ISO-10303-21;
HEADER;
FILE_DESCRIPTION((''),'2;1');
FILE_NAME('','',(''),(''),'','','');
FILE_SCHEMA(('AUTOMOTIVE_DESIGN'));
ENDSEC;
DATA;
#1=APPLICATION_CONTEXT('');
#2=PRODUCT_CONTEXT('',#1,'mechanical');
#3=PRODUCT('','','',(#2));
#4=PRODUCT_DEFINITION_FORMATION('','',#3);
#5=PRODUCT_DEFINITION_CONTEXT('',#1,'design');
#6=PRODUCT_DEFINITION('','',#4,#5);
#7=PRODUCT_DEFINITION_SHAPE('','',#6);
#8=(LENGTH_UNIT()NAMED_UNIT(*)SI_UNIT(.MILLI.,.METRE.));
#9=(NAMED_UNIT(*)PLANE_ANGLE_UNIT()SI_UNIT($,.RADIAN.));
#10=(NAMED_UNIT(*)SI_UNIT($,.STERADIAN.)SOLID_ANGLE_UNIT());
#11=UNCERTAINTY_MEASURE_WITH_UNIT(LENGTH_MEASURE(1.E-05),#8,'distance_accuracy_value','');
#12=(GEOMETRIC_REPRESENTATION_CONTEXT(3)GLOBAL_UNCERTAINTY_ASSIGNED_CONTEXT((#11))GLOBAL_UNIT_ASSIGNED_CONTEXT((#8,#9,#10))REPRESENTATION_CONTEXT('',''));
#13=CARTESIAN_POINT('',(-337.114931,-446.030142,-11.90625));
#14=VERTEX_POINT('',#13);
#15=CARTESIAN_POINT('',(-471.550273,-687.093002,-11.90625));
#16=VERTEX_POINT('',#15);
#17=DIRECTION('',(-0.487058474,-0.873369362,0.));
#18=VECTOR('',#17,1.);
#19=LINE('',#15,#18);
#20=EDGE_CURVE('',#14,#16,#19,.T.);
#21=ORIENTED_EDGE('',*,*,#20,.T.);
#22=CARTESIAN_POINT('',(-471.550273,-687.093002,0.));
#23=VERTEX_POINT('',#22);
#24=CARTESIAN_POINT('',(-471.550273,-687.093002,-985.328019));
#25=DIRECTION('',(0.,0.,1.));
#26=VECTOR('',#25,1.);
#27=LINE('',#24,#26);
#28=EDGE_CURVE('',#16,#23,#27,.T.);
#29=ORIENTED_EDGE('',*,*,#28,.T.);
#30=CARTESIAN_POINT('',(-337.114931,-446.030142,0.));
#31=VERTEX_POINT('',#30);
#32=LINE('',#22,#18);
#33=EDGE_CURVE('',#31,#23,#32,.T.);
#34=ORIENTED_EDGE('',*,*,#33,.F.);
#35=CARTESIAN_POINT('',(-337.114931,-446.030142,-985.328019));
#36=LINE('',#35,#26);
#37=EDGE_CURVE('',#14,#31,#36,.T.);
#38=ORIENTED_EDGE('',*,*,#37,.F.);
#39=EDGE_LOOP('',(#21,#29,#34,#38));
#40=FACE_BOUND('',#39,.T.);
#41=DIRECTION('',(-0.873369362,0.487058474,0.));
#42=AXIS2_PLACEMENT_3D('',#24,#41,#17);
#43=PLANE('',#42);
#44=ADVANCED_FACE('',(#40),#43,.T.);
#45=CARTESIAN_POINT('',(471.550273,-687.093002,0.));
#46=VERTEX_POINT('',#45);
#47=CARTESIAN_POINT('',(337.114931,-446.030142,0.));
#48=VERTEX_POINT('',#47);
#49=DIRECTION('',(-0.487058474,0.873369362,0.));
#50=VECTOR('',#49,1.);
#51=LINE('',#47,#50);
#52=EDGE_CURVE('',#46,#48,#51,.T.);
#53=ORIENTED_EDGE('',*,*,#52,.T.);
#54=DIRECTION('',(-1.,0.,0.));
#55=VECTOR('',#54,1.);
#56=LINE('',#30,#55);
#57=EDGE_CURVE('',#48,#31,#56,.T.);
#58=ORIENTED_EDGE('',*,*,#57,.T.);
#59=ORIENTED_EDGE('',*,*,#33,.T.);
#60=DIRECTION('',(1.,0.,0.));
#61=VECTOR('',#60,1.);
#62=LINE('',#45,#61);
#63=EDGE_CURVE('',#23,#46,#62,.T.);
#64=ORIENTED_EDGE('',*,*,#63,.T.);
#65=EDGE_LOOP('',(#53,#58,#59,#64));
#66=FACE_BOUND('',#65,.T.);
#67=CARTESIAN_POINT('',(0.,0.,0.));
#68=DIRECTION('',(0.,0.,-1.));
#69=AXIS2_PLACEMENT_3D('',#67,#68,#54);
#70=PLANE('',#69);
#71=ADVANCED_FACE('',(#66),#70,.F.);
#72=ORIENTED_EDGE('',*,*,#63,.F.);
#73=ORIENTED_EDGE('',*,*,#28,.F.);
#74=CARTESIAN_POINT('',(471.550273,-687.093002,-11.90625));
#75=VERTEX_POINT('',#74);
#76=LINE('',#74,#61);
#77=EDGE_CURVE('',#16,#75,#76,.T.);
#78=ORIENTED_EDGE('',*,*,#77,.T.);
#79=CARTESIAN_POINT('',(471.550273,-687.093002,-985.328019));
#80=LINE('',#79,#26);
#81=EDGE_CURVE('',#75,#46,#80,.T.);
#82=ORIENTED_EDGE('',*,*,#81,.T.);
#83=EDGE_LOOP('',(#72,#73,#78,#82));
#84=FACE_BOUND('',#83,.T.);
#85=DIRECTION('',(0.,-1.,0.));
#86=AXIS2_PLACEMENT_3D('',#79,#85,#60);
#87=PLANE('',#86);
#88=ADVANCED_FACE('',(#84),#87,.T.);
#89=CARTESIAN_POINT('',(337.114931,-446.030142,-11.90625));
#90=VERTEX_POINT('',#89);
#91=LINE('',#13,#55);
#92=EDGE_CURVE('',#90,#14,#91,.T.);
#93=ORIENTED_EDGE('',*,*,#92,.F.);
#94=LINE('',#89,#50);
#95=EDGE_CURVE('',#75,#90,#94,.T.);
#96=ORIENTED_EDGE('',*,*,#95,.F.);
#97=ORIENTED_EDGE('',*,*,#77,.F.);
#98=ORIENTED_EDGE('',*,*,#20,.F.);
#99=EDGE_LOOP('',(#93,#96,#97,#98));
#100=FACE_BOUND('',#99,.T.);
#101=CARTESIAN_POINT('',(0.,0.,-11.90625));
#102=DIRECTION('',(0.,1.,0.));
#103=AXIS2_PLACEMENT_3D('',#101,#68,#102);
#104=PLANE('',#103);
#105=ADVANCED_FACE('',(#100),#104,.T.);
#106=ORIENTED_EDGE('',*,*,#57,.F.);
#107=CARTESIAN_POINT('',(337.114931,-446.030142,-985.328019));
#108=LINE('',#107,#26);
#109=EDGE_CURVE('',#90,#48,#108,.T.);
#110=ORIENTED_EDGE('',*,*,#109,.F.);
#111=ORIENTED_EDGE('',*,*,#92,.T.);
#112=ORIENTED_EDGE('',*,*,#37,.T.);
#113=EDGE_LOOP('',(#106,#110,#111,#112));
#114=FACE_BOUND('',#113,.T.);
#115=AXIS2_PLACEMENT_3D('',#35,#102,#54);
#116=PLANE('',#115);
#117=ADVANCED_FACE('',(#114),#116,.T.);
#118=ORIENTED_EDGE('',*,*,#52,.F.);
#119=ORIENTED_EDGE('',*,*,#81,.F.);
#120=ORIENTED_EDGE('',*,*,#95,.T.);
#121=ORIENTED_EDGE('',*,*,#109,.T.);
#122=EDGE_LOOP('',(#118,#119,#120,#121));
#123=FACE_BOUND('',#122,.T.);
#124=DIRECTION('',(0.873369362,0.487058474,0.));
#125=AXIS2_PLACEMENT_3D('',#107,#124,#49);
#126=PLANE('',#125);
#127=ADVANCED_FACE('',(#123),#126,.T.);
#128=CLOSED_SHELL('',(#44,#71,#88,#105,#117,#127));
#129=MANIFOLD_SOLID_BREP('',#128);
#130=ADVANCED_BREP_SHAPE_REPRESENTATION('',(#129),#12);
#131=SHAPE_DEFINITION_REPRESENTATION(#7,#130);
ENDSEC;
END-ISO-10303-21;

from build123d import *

# Parameters (mm, degrees)
BOSS_EXTRUDE1_DEPTH = 11.90625


with BuildPart() as part:
    # Sketch1 → Boss-Extrude1 (new body)
    with BuildSketch(Plane.XY):
        Polygon((-471.550272559, -687.09300222), (-337.114930678, -446.030141975), (337.114930678, -446.030141975), (471.550272559, -687.09300222), align=None)
    extrude(amount=-BOSS_EXTRUDE1_DEPTH)


solid = part.part
